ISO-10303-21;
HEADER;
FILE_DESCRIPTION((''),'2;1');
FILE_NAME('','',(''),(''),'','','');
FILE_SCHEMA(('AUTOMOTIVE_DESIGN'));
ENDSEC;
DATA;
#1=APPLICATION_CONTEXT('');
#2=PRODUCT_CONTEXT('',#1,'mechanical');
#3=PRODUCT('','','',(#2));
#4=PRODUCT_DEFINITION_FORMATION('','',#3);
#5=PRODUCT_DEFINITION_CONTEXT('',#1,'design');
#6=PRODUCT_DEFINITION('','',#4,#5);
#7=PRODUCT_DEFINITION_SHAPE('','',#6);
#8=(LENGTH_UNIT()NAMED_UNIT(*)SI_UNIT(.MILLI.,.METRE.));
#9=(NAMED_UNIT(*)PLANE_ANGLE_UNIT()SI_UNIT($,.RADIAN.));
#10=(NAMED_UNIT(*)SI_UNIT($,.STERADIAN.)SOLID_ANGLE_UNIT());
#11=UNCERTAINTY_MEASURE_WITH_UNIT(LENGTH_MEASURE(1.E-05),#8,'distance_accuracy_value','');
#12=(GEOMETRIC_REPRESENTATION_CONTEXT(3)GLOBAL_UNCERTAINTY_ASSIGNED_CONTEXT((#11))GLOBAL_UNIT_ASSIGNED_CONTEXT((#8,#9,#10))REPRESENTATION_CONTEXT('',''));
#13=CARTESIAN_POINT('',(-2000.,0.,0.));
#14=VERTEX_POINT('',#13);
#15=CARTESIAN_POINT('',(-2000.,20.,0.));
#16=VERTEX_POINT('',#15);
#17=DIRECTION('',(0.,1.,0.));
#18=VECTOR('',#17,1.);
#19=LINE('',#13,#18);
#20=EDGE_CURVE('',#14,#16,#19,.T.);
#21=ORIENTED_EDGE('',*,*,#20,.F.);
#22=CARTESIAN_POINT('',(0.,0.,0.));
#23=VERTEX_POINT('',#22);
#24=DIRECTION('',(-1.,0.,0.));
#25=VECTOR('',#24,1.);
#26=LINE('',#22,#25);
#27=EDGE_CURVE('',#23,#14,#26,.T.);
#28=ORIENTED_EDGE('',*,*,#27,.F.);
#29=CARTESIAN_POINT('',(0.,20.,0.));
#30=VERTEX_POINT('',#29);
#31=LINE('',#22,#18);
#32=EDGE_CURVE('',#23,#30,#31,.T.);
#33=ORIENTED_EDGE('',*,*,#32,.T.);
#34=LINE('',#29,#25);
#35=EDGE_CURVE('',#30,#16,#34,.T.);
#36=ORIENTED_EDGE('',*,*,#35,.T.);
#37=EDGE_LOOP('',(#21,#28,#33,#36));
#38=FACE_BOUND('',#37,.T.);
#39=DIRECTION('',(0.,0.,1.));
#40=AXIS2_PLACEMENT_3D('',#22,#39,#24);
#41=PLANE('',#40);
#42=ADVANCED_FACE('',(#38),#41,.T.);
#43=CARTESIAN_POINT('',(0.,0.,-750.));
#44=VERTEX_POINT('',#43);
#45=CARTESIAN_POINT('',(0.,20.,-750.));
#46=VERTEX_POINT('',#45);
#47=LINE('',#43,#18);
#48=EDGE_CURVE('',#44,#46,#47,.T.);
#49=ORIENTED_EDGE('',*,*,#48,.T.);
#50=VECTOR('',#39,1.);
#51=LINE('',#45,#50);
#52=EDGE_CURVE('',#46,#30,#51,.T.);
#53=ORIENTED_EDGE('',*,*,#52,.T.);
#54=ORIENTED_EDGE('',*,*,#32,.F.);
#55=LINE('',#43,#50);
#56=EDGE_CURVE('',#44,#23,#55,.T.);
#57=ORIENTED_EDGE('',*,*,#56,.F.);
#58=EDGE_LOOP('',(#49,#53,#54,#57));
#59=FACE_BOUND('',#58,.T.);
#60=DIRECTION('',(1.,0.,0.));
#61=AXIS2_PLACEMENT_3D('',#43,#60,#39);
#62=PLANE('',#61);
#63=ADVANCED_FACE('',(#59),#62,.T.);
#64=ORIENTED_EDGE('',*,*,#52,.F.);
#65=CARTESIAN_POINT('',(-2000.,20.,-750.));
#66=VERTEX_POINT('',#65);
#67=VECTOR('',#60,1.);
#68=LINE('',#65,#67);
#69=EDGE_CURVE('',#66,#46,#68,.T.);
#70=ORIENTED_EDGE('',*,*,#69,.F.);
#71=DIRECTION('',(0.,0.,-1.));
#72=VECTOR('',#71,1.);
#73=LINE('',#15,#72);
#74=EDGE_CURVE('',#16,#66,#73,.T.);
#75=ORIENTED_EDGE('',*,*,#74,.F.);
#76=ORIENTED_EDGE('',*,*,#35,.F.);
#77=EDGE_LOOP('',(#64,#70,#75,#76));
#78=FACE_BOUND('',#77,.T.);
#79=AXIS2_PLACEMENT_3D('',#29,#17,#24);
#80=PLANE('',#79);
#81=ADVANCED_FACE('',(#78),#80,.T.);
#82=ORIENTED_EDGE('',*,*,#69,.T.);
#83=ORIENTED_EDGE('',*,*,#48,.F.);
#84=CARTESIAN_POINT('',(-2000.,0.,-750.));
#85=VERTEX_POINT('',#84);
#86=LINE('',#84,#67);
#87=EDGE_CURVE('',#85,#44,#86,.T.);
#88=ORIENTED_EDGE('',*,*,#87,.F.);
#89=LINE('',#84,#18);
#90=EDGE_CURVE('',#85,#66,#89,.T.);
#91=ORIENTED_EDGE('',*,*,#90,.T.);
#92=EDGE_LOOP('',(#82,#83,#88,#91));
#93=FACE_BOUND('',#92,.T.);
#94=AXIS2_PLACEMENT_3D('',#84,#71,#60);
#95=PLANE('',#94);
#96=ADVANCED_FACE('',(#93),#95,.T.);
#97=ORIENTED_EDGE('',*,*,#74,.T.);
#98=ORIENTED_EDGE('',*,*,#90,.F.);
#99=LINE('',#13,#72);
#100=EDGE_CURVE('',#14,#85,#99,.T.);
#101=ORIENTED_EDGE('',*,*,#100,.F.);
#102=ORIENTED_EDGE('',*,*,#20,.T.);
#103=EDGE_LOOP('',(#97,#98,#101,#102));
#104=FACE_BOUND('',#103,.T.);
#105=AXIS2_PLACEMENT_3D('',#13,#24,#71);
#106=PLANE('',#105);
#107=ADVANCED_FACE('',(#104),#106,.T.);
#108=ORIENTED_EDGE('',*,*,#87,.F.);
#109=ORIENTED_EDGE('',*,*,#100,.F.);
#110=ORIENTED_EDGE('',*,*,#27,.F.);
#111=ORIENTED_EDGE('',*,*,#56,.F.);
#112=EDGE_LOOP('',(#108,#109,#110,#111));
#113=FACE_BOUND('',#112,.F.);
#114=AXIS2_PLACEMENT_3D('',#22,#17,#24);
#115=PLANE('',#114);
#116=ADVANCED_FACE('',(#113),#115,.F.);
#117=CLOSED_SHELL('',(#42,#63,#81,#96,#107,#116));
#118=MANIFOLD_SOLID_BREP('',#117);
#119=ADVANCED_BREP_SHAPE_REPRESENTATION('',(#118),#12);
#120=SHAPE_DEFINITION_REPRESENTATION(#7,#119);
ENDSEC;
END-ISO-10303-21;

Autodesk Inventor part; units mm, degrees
ref_plane "YZ Plane" through (0, 0, 0) normal (1, 0, 0) x (0, 1, 0)
ref_plane "XZ Plane" through (0, 0, 0) normal (0, 1, 0) x (-1, 0, 0)
ref_plane "XY Plane" through (0, 0, 0) normal (0, 0, 1) x (1, 0, 0)
sketch "Sketch1" plane through (0, 0, 0) normal (0, 1, 0) x (-1, 0, 0)
  line L0 (0, 0) -> (2000, 0)
  line L1 (2000, 0) -> (2000, -750)
  line L2 (2000, -750) -> (0, -750)
  line L3 (0, -750) -> (0, 0)
  dimension "d0" = 750
  dimension "d1" = 2000
extrude "Extrusion1" add sketch "Sketch1" along normal blind 20
properties part number "Table"
